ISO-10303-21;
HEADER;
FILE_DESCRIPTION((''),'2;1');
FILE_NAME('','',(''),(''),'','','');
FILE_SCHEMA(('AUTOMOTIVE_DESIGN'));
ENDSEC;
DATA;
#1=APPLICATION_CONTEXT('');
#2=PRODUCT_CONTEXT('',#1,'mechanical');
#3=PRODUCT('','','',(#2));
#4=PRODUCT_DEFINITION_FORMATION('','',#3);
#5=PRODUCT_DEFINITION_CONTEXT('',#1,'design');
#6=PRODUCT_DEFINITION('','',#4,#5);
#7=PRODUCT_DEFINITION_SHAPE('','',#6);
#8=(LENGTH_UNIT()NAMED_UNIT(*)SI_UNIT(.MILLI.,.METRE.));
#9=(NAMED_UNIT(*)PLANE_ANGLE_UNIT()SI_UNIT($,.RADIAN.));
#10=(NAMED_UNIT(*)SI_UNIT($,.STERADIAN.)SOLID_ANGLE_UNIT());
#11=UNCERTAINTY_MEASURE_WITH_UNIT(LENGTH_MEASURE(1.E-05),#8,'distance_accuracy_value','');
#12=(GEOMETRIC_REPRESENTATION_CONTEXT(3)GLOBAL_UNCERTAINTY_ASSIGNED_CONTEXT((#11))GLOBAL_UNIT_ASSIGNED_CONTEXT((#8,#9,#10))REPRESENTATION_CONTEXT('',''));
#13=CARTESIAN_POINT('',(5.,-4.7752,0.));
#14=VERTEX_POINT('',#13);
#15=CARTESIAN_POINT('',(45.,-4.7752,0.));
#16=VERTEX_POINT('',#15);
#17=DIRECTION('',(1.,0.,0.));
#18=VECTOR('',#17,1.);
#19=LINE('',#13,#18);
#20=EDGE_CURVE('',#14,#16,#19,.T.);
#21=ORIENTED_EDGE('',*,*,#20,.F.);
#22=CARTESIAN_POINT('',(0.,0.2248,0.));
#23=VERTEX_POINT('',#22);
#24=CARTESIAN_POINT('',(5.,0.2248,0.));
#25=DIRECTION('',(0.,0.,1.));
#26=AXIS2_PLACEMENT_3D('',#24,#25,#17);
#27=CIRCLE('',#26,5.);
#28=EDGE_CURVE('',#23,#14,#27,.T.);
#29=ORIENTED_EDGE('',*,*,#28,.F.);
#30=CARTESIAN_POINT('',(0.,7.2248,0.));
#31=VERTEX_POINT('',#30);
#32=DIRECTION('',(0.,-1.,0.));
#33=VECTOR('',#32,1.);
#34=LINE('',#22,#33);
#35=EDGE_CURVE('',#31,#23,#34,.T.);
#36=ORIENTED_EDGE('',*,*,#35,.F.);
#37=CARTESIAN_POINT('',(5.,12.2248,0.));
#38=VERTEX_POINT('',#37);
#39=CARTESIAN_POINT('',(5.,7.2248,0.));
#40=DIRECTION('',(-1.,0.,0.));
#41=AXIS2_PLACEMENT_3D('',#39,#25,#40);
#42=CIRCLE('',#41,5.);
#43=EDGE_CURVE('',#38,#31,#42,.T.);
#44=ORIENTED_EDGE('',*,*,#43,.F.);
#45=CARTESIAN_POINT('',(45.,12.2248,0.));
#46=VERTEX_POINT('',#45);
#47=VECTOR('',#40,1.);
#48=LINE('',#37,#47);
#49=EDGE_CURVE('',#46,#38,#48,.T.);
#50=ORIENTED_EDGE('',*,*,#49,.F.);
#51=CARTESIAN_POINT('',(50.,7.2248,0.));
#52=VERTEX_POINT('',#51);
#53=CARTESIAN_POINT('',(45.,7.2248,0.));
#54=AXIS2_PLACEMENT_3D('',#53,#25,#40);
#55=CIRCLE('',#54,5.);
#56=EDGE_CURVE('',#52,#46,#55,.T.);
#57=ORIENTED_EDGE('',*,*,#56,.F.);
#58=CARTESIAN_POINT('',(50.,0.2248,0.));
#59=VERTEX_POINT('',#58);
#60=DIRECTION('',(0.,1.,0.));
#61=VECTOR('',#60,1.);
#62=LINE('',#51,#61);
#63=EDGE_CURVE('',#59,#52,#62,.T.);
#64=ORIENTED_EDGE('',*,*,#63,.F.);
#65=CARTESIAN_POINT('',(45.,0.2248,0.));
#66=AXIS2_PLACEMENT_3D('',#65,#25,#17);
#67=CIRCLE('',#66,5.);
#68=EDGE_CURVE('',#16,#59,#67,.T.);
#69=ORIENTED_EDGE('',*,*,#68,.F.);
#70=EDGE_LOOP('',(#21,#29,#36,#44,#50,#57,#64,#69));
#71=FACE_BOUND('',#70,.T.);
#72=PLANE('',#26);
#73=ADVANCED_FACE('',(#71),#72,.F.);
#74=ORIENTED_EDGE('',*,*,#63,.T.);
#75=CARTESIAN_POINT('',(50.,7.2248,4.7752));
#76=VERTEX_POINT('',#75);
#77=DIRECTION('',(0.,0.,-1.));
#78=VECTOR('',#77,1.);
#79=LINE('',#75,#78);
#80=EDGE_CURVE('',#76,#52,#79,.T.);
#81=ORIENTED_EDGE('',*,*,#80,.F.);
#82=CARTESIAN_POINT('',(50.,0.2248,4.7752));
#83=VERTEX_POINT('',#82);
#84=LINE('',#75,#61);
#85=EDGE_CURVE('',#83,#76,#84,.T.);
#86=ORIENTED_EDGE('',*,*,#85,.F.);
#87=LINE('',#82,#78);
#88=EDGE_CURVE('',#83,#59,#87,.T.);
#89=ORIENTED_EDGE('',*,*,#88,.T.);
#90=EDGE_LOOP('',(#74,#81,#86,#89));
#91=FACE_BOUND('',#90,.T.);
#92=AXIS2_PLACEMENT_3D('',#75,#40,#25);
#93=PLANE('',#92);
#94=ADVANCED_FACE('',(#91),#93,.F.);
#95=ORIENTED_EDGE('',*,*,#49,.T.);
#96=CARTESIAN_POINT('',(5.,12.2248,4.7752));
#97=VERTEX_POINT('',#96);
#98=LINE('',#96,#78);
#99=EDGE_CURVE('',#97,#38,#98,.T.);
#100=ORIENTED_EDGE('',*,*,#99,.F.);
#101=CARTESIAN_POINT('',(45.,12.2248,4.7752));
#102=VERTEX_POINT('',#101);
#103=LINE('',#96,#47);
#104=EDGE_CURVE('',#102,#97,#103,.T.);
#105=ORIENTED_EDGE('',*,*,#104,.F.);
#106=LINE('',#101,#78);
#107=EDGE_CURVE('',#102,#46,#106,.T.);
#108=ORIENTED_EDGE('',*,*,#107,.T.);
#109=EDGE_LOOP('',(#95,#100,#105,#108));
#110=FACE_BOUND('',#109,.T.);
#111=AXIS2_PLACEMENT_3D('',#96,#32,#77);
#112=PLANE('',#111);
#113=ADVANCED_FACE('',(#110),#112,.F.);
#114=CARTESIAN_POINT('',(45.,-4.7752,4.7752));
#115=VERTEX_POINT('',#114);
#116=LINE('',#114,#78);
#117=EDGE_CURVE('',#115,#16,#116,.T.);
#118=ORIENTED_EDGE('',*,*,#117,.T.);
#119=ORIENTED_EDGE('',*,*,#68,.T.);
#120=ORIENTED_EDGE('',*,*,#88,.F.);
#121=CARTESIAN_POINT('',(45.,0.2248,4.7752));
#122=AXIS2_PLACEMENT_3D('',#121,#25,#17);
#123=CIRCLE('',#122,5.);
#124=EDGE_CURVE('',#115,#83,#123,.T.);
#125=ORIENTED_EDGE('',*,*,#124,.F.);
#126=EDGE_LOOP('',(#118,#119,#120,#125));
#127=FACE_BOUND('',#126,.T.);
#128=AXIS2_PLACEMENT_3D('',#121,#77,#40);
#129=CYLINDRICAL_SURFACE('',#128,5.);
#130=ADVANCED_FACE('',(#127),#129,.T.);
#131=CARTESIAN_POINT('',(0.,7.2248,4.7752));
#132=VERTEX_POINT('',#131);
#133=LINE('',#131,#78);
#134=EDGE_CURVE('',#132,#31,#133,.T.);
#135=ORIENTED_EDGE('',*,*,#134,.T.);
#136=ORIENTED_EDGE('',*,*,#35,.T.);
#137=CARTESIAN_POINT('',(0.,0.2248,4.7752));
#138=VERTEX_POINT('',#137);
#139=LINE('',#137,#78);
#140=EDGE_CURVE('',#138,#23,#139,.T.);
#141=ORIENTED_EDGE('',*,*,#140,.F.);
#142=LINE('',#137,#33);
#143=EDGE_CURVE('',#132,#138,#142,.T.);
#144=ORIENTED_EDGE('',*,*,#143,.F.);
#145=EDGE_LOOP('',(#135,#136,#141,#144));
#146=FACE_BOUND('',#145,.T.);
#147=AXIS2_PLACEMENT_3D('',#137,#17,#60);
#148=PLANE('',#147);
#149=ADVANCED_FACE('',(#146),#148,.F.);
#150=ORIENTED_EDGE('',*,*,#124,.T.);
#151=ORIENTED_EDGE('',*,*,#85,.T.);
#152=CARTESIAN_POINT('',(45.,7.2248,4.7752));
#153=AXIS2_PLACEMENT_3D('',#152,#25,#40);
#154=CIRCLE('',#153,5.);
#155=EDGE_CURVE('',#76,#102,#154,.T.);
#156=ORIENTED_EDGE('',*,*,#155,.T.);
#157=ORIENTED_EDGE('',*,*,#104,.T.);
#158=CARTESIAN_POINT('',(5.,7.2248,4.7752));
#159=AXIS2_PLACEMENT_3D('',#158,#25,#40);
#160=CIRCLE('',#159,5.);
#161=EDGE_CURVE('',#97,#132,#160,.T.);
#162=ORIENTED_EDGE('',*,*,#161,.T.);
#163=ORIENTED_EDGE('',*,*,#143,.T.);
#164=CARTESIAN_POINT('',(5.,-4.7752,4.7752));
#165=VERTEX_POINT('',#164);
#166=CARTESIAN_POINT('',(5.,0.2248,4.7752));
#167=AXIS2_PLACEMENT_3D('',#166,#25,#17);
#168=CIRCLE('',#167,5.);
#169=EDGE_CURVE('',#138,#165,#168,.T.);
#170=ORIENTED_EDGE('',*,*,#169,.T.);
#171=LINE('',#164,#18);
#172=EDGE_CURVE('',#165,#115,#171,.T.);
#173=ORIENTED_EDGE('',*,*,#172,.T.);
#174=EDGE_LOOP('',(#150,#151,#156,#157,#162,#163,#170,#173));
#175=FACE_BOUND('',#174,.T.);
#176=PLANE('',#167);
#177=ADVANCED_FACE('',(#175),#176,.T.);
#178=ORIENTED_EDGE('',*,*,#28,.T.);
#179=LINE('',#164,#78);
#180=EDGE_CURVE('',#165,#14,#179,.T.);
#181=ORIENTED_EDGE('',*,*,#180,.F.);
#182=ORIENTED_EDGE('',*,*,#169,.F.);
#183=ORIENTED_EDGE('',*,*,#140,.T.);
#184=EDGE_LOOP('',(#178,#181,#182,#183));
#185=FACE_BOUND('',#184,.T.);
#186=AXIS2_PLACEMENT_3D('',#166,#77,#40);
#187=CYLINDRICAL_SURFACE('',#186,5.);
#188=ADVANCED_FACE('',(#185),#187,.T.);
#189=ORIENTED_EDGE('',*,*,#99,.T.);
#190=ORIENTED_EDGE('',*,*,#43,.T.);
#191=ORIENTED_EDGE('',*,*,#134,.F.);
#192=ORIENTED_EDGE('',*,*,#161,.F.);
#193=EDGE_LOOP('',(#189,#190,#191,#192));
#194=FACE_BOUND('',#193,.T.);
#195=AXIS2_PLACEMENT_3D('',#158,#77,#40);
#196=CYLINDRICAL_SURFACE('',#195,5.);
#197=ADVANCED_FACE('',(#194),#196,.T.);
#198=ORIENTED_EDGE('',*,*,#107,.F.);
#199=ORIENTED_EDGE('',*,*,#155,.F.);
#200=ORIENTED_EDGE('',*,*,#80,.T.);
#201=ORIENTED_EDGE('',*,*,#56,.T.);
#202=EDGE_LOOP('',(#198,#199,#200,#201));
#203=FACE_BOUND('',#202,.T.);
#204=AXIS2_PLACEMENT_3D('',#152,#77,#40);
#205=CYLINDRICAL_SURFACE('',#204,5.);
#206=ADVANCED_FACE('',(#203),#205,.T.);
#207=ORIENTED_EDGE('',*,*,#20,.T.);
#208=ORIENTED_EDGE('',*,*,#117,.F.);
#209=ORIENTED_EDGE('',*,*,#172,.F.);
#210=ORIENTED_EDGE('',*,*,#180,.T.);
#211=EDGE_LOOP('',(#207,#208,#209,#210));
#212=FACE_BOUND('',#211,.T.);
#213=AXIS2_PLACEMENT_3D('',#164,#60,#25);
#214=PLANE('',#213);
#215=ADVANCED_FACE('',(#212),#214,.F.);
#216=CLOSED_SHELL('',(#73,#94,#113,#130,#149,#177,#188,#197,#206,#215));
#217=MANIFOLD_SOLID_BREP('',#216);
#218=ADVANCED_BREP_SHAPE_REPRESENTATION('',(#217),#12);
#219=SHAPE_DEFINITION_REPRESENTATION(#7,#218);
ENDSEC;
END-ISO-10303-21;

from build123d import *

# Parameters (mm, degrees)
BOSS_EXTRUDE1_DEPTH = 4.7752


with BuildPart() as part:
    # Sketch1 → Boss-Extrude1 (new body)
    with BuildSketch(Plane.XY):
        with BuildLine():
            Line((5, -4.7752), (45, -4.7752))
            ThreePointArc((45, -4.7752), (48.535533906, -3.310733906), (50, 0.2248))
            Line((50, 0.2248), (50, 7.2248))
            ThreePointArc((50, 7.2248), (48.535533906, 10.760333906), (45, 12.2248))
            Line((45, 12.2248), (5, 12.2248))
            ThreePointArc((5, 12.2248), (1.464466094, 10.760333906), (0, 7.2248))
            Line((0, 7.2248), (0, 0.2248))
            ThreePointArc((0, 0.2248), (1.464466094, -3.310733906), (5, -4.7752))
        make_face()
    extrude(amount=BOSS_EXTRUDE1_DEPTH)


solid = part.part
